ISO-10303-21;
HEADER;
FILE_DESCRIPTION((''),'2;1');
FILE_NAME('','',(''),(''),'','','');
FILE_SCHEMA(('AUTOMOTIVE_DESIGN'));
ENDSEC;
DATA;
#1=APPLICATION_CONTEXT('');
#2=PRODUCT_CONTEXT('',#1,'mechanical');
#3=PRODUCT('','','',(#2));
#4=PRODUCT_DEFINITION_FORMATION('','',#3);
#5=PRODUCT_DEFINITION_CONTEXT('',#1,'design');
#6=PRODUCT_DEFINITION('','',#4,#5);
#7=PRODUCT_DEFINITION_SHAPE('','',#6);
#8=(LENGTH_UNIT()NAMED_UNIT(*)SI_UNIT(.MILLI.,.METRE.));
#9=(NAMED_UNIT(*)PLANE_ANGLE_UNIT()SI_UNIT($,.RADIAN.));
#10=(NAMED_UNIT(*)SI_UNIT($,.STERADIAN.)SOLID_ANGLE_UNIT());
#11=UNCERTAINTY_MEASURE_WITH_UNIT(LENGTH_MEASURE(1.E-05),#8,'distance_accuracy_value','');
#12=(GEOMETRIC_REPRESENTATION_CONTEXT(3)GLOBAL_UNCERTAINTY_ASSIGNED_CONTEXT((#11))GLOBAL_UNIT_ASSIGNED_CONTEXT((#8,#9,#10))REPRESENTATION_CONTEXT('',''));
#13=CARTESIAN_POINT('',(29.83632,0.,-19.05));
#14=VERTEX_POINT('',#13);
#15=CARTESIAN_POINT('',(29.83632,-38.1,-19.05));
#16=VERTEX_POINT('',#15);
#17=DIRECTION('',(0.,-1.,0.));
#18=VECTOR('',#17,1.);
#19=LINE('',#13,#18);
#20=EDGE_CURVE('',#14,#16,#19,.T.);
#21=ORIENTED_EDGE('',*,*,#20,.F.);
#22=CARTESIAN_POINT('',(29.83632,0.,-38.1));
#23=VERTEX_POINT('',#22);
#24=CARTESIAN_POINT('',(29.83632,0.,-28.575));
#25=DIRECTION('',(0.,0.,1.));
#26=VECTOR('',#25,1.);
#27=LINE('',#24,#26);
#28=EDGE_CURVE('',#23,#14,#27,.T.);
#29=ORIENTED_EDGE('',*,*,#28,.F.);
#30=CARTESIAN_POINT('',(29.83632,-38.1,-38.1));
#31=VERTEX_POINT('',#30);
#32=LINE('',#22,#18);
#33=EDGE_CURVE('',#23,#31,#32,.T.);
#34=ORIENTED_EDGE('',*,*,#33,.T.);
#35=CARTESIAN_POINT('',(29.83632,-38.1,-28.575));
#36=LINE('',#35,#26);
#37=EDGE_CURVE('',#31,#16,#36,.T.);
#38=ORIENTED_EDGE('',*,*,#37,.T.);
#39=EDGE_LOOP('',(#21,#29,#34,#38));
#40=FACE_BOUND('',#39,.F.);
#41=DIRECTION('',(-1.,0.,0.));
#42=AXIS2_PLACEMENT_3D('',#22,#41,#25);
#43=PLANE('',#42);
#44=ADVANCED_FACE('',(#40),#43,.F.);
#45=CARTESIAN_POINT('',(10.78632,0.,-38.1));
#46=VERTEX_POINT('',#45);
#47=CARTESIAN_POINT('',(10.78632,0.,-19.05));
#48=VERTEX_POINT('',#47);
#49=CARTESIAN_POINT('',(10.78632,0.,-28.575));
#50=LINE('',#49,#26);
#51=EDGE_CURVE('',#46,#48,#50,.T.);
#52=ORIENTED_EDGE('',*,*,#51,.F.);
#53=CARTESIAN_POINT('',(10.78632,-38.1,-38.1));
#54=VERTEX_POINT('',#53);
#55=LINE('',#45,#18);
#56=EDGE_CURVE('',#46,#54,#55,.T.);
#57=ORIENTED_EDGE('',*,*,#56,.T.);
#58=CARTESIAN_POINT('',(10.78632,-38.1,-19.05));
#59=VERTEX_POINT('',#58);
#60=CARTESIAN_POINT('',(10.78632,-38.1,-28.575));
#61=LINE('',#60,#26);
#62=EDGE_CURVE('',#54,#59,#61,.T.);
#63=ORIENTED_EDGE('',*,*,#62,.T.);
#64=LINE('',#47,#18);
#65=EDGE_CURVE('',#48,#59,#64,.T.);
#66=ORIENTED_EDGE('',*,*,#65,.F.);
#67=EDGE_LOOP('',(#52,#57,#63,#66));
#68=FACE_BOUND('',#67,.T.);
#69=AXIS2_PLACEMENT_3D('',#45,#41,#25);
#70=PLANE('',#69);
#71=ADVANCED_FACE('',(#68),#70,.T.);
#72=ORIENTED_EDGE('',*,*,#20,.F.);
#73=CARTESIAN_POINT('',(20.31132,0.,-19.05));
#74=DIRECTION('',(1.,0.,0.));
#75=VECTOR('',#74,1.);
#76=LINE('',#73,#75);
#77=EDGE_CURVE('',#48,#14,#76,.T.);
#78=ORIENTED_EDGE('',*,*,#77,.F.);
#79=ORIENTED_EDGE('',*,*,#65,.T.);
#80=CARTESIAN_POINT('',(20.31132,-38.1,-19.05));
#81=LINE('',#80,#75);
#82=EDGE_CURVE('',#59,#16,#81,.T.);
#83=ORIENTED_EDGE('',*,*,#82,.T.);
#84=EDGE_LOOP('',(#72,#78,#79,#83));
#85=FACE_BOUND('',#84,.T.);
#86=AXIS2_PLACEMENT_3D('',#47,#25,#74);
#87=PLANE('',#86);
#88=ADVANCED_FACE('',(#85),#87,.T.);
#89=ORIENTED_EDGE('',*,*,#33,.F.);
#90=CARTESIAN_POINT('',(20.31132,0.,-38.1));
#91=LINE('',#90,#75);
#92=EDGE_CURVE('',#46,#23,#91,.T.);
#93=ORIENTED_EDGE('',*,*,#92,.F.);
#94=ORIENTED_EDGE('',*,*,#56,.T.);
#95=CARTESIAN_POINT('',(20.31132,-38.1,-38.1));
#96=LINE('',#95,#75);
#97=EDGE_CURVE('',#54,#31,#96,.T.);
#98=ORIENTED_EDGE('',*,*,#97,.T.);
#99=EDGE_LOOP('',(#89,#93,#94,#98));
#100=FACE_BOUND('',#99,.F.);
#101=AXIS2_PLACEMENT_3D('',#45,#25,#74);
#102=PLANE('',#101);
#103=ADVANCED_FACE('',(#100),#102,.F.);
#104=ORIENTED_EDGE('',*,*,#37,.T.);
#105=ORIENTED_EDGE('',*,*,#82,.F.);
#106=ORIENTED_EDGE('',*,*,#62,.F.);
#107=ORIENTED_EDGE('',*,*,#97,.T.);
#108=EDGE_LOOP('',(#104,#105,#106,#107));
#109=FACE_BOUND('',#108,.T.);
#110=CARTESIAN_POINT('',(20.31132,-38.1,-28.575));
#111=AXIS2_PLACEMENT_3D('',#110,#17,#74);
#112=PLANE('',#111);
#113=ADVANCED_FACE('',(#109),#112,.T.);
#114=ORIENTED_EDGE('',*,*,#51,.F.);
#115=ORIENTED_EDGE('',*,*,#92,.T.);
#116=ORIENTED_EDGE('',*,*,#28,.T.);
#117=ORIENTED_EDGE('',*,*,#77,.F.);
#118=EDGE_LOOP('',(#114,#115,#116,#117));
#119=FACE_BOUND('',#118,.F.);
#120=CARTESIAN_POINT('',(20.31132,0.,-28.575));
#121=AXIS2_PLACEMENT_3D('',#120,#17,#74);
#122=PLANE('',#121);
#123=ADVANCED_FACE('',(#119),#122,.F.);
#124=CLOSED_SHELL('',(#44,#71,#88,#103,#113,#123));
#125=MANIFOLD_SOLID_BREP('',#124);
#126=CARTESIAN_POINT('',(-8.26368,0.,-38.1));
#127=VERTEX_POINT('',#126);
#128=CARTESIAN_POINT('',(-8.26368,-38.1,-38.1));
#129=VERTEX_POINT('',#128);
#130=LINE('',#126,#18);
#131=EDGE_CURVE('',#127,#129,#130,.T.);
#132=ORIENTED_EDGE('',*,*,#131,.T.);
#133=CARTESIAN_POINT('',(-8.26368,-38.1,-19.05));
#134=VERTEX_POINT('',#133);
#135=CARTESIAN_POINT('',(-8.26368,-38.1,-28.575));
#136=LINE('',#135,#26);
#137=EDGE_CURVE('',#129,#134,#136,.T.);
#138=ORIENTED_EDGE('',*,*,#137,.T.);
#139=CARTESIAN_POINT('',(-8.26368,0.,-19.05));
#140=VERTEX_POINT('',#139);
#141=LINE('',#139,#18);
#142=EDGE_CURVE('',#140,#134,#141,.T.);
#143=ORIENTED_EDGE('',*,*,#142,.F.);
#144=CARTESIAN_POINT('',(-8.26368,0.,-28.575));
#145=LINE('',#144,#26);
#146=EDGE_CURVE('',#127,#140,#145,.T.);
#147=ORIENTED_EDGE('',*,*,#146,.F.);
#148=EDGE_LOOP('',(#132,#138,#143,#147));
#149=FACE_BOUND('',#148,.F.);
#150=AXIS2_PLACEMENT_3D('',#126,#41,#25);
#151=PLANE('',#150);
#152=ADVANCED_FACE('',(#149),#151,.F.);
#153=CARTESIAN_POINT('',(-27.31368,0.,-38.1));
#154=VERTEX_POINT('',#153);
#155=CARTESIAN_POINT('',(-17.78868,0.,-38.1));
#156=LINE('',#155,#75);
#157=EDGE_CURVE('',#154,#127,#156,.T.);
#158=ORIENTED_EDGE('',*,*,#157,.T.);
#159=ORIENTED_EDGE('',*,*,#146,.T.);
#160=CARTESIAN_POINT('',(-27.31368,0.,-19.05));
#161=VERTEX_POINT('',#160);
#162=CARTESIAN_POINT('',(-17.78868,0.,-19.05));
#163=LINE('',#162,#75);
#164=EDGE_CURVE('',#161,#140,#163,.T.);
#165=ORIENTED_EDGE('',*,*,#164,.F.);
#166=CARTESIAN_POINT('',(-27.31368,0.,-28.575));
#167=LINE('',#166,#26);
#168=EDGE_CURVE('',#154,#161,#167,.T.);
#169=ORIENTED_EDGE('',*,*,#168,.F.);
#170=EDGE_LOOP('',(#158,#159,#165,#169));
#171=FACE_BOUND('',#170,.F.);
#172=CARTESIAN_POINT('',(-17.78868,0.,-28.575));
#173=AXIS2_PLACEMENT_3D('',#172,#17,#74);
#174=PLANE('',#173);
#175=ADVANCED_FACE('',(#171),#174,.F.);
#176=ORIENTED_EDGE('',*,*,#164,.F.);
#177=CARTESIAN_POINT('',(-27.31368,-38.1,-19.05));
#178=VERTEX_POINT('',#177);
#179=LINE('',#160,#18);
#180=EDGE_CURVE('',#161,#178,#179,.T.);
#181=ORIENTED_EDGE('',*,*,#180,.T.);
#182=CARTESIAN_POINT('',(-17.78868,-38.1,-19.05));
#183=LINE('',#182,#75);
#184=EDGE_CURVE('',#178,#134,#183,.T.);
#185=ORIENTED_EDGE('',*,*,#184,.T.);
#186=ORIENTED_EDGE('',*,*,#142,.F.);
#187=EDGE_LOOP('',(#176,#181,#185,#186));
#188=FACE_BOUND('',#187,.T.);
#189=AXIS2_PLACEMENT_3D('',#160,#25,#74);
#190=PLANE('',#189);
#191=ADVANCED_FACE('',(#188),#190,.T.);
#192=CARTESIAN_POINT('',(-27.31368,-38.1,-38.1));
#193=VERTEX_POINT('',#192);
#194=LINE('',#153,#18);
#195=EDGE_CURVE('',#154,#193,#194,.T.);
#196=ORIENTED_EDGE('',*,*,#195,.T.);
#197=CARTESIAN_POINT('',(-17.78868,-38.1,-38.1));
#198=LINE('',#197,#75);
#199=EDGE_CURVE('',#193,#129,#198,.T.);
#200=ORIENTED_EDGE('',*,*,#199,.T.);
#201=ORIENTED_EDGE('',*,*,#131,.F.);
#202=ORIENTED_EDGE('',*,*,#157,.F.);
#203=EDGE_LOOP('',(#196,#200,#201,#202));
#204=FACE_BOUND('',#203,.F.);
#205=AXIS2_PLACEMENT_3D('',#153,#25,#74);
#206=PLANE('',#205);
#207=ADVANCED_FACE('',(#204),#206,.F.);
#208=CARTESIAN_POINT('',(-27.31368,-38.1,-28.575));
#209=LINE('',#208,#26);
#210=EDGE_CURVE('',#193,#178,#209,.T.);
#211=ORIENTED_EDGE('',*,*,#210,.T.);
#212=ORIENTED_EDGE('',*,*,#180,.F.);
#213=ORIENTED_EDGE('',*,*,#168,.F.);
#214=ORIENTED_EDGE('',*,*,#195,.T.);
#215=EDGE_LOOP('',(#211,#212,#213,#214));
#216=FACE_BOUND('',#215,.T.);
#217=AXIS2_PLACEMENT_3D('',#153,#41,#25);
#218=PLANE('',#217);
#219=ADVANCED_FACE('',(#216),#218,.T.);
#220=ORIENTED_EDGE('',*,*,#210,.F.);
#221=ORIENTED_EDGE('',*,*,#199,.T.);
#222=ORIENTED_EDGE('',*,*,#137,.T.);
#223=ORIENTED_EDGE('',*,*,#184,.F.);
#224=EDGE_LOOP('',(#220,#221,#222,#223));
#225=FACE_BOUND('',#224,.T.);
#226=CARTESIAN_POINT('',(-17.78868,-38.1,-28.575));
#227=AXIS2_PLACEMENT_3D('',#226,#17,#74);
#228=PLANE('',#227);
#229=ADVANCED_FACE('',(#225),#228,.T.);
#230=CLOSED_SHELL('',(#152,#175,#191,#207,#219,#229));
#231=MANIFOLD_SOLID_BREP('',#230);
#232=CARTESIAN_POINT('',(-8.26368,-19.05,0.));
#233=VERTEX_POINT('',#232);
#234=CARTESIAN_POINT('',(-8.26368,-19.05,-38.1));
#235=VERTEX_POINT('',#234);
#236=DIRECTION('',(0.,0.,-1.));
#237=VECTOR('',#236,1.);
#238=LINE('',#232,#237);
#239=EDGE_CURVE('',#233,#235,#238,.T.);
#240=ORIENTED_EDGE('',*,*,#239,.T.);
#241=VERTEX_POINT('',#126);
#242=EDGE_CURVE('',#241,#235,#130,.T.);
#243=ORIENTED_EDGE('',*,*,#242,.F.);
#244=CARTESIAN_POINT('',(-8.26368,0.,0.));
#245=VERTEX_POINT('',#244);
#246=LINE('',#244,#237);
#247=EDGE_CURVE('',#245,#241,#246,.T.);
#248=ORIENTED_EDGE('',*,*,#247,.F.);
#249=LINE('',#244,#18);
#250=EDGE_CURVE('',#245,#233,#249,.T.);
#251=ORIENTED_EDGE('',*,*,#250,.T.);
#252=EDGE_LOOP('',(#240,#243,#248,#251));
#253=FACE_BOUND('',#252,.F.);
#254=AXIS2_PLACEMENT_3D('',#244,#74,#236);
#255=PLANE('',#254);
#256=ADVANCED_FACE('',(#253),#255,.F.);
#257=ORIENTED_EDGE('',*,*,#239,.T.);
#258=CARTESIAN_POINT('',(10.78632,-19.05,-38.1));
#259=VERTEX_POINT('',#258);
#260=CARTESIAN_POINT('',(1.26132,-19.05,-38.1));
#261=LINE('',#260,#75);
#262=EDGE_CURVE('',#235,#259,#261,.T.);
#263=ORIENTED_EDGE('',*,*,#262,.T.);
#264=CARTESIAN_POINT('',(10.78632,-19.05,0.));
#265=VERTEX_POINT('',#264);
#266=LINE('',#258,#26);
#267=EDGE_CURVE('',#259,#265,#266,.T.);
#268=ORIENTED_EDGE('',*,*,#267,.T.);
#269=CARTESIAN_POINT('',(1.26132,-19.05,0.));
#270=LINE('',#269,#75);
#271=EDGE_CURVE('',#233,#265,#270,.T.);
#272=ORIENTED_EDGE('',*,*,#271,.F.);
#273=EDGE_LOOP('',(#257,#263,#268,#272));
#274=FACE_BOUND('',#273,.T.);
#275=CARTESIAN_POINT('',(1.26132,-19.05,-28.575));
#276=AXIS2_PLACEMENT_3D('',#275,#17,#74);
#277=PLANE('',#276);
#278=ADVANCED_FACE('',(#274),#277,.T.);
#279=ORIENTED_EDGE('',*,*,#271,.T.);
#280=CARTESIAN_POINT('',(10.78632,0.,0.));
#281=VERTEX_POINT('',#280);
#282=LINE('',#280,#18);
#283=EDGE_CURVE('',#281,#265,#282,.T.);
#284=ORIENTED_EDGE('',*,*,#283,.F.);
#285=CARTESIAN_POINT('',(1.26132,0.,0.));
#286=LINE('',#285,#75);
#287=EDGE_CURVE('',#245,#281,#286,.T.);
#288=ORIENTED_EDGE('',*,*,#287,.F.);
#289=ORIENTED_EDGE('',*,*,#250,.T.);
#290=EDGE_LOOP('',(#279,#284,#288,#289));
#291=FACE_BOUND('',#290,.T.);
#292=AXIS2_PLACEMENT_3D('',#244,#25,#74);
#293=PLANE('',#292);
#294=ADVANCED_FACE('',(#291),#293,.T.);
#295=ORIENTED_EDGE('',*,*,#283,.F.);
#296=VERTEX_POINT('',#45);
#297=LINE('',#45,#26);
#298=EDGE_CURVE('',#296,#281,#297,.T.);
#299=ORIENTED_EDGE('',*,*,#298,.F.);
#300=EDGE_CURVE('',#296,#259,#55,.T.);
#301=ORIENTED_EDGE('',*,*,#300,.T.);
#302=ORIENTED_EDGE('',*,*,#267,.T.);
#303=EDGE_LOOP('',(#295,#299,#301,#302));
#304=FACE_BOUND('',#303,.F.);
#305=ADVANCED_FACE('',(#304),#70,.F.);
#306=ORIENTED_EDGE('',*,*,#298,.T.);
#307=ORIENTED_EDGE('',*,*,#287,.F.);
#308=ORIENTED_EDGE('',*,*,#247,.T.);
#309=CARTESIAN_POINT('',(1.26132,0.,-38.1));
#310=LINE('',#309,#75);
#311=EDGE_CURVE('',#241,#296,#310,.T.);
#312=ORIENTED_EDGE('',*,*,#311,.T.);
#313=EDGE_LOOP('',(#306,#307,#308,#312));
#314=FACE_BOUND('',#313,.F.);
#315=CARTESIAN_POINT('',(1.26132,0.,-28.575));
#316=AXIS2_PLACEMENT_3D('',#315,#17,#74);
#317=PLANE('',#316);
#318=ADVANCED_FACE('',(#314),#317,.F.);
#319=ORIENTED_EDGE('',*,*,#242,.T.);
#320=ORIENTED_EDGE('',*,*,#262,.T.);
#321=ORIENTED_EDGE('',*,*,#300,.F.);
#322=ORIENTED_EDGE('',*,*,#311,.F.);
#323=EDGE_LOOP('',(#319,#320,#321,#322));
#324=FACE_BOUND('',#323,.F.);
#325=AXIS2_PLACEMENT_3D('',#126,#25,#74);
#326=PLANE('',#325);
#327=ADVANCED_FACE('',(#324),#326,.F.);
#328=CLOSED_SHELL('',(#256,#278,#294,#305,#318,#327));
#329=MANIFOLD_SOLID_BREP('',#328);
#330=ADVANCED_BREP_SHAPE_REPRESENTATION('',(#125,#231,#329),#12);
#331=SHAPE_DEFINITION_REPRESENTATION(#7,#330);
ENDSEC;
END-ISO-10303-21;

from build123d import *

# Parameters (mm, degrees)
F0_W     = 19.05
F0_H     = 19.05
F1_DEPTH = 38.1
F2_DEPTH = 19.05


with BuildPart() as f1:
    # F0 (on Front) → F1 (new body)
    with BuildSketch(Plane.XZ):
        with Locations((-17.78868, -28.575)):
            Rectangle(F0_W, F0_H)
        with Locations((20.31132, -28.575)):
            Rectangle(F0_W, F0_H)
    extrude(amount=F1_DEPTH)


with BuildPart() as f2:
    # F0 (on Front) → F2 (new body)
    with BuildSketch(Plane.XZ):
        with Locations((1.26132, -28.575)):
            Rectangle(F0_W, F0_H)
        with Locations((1.26132, -9.525)):
            Rectangle(F0_W, F0_H)
    extrude(amount=F2_DEPTH)


solid = Compound([f1.part, f2.part])
